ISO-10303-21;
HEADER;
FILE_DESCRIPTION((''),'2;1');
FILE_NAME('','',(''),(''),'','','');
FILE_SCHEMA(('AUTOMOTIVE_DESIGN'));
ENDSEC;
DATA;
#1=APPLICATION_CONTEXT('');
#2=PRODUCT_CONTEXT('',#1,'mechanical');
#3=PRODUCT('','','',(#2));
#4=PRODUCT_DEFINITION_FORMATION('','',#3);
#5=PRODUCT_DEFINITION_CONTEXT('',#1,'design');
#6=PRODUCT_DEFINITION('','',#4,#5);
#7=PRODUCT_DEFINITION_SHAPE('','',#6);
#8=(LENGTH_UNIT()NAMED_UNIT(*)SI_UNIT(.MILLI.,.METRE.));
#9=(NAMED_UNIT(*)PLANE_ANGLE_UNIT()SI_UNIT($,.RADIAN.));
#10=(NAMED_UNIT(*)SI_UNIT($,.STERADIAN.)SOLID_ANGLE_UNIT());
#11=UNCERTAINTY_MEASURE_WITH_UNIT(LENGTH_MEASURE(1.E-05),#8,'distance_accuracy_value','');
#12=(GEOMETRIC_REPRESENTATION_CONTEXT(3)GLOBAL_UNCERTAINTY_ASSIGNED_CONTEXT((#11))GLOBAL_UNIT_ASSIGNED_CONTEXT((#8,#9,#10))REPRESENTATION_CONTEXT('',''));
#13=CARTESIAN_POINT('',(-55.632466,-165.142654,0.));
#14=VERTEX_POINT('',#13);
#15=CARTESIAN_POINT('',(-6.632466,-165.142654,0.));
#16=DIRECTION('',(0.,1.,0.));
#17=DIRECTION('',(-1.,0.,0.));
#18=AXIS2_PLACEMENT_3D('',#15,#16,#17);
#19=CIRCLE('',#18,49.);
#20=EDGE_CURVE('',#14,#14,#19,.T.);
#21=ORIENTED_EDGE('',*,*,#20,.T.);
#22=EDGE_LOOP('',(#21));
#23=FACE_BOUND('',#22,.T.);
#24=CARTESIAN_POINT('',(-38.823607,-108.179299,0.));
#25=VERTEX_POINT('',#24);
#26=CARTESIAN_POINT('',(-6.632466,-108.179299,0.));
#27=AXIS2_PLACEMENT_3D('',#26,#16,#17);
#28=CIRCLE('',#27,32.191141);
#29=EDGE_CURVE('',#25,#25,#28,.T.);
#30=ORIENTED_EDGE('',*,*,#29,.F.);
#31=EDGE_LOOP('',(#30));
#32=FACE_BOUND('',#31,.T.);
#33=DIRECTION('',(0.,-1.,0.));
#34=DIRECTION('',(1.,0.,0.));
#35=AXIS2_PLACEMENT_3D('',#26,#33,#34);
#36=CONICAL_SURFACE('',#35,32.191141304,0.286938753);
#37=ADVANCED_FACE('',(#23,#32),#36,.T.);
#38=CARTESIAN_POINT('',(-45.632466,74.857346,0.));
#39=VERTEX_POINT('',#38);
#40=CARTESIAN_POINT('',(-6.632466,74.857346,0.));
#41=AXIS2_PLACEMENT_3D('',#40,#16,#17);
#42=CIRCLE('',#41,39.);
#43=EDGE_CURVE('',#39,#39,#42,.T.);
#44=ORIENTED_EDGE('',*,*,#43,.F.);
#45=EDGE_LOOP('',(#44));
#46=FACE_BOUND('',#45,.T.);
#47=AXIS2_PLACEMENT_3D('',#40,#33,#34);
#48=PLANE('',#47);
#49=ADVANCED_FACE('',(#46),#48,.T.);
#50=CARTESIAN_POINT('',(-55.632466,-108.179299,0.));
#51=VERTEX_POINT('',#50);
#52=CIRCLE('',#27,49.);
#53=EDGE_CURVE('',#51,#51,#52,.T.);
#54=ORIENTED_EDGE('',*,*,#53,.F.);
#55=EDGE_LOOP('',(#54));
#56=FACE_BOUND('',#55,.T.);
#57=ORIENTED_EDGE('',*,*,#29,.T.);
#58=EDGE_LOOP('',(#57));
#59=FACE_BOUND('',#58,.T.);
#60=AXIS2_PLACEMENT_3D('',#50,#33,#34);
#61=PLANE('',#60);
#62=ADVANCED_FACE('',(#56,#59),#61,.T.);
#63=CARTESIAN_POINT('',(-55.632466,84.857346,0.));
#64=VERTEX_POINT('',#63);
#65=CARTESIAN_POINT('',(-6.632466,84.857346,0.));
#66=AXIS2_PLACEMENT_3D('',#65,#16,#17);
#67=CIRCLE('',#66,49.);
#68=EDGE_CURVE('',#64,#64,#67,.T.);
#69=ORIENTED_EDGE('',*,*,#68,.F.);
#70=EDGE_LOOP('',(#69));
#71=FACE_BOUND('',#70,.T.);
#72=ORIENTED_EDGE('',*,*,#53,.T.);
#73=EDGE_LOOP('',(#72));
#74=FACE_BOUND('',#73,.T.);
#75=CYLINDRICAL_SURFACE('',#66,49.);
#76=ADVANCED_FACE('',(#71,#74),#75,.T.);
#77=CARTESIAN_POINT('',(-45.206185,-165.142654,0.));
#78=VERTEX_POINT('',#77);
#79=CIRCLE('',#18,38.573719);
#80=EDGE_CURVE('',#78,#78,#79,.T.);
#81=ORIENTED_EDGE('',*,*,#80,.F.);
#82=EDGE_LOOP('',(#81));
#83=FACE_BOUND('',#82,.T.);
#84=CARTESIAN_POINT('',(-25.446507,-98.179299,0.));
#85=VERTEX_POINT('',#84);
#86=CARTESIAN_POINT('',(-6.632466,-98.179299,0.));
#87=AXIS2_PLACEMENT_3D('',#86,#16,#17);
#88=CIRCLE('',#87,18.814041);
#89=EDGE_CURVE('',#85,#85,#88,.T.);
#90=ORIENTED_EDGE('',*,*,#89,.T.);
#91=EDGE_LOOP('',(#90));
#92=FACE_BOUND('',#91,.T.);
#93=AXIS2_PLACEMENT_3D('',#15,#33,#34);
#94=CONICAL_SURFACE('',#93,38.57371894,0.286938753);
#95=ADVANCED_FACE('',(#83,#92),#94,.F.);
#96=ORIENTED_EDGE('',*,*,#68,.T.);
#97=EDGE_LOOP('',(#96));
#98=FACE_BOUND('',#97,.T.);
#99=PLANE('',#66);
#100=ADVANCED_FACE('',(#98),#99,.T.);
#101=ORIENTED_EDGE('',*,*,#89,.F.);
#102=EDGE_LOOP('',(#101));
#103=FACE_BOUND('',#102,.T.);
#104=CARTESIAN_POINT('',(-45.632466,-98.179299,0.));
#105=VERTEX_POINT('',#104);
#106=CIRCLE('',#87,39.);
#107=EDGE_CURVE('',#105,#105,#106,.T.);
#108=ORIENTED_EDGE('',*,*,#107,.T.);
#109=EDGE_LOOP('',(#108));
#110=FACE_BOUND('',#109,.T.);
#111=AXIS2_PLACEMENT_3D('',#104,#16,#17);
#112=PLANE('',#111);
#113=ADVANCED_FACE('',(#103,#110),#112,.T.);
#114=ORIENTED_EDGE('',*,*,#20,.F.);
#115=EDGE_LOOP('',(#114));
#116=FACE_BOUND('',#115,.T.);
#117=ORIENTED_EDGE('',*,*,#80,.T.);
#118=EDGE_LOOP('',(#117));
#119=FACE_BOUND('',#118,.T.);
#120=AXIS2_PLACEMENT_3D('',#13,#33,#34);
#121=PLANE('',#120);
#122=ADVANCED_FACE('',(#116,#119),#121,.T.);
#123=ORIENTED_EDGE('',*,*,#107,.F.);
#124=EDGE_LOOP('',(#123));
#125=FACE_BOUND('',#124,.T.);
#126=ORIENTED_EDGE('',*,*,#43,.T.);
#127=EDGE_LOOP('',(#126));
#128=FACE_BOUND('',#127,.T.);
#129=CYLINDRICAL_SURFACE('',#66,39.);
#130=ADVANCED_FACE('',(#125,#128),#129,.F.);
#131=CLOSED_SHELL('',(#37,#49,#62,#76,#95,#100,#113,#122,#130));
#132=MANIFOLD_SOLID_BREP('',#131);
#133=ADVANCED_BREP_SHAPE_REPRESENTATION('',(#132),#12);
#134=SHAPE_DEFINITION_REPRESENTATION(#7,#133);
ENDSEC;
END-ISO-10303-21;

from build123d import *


with BuildPart() as part:
    # Esquisse1 → Révolution1 (revolve)
    with BuildSketch(Plane.XY):
        Polygon((-6.63246603, 74.857346398), (-45.63246603, 74.857346398), (-45.63246603, -98.179299131), (-25.446506602, -98.179299131), (-42.255365298, -155.142653602), (-45.20618497, -165.142653602), (-55.63246603, -165.142653602), (-38.823607333, -108.179299131), (-55.63246603, -108.179299131), (-55.63246603, 84.857346398), (-6.63246603, 84.857346398), align=None)
    revolve(axis=Axis((-6.63246603, 84.857346398, 0), (0, -1, 0)))


solid = part.part
